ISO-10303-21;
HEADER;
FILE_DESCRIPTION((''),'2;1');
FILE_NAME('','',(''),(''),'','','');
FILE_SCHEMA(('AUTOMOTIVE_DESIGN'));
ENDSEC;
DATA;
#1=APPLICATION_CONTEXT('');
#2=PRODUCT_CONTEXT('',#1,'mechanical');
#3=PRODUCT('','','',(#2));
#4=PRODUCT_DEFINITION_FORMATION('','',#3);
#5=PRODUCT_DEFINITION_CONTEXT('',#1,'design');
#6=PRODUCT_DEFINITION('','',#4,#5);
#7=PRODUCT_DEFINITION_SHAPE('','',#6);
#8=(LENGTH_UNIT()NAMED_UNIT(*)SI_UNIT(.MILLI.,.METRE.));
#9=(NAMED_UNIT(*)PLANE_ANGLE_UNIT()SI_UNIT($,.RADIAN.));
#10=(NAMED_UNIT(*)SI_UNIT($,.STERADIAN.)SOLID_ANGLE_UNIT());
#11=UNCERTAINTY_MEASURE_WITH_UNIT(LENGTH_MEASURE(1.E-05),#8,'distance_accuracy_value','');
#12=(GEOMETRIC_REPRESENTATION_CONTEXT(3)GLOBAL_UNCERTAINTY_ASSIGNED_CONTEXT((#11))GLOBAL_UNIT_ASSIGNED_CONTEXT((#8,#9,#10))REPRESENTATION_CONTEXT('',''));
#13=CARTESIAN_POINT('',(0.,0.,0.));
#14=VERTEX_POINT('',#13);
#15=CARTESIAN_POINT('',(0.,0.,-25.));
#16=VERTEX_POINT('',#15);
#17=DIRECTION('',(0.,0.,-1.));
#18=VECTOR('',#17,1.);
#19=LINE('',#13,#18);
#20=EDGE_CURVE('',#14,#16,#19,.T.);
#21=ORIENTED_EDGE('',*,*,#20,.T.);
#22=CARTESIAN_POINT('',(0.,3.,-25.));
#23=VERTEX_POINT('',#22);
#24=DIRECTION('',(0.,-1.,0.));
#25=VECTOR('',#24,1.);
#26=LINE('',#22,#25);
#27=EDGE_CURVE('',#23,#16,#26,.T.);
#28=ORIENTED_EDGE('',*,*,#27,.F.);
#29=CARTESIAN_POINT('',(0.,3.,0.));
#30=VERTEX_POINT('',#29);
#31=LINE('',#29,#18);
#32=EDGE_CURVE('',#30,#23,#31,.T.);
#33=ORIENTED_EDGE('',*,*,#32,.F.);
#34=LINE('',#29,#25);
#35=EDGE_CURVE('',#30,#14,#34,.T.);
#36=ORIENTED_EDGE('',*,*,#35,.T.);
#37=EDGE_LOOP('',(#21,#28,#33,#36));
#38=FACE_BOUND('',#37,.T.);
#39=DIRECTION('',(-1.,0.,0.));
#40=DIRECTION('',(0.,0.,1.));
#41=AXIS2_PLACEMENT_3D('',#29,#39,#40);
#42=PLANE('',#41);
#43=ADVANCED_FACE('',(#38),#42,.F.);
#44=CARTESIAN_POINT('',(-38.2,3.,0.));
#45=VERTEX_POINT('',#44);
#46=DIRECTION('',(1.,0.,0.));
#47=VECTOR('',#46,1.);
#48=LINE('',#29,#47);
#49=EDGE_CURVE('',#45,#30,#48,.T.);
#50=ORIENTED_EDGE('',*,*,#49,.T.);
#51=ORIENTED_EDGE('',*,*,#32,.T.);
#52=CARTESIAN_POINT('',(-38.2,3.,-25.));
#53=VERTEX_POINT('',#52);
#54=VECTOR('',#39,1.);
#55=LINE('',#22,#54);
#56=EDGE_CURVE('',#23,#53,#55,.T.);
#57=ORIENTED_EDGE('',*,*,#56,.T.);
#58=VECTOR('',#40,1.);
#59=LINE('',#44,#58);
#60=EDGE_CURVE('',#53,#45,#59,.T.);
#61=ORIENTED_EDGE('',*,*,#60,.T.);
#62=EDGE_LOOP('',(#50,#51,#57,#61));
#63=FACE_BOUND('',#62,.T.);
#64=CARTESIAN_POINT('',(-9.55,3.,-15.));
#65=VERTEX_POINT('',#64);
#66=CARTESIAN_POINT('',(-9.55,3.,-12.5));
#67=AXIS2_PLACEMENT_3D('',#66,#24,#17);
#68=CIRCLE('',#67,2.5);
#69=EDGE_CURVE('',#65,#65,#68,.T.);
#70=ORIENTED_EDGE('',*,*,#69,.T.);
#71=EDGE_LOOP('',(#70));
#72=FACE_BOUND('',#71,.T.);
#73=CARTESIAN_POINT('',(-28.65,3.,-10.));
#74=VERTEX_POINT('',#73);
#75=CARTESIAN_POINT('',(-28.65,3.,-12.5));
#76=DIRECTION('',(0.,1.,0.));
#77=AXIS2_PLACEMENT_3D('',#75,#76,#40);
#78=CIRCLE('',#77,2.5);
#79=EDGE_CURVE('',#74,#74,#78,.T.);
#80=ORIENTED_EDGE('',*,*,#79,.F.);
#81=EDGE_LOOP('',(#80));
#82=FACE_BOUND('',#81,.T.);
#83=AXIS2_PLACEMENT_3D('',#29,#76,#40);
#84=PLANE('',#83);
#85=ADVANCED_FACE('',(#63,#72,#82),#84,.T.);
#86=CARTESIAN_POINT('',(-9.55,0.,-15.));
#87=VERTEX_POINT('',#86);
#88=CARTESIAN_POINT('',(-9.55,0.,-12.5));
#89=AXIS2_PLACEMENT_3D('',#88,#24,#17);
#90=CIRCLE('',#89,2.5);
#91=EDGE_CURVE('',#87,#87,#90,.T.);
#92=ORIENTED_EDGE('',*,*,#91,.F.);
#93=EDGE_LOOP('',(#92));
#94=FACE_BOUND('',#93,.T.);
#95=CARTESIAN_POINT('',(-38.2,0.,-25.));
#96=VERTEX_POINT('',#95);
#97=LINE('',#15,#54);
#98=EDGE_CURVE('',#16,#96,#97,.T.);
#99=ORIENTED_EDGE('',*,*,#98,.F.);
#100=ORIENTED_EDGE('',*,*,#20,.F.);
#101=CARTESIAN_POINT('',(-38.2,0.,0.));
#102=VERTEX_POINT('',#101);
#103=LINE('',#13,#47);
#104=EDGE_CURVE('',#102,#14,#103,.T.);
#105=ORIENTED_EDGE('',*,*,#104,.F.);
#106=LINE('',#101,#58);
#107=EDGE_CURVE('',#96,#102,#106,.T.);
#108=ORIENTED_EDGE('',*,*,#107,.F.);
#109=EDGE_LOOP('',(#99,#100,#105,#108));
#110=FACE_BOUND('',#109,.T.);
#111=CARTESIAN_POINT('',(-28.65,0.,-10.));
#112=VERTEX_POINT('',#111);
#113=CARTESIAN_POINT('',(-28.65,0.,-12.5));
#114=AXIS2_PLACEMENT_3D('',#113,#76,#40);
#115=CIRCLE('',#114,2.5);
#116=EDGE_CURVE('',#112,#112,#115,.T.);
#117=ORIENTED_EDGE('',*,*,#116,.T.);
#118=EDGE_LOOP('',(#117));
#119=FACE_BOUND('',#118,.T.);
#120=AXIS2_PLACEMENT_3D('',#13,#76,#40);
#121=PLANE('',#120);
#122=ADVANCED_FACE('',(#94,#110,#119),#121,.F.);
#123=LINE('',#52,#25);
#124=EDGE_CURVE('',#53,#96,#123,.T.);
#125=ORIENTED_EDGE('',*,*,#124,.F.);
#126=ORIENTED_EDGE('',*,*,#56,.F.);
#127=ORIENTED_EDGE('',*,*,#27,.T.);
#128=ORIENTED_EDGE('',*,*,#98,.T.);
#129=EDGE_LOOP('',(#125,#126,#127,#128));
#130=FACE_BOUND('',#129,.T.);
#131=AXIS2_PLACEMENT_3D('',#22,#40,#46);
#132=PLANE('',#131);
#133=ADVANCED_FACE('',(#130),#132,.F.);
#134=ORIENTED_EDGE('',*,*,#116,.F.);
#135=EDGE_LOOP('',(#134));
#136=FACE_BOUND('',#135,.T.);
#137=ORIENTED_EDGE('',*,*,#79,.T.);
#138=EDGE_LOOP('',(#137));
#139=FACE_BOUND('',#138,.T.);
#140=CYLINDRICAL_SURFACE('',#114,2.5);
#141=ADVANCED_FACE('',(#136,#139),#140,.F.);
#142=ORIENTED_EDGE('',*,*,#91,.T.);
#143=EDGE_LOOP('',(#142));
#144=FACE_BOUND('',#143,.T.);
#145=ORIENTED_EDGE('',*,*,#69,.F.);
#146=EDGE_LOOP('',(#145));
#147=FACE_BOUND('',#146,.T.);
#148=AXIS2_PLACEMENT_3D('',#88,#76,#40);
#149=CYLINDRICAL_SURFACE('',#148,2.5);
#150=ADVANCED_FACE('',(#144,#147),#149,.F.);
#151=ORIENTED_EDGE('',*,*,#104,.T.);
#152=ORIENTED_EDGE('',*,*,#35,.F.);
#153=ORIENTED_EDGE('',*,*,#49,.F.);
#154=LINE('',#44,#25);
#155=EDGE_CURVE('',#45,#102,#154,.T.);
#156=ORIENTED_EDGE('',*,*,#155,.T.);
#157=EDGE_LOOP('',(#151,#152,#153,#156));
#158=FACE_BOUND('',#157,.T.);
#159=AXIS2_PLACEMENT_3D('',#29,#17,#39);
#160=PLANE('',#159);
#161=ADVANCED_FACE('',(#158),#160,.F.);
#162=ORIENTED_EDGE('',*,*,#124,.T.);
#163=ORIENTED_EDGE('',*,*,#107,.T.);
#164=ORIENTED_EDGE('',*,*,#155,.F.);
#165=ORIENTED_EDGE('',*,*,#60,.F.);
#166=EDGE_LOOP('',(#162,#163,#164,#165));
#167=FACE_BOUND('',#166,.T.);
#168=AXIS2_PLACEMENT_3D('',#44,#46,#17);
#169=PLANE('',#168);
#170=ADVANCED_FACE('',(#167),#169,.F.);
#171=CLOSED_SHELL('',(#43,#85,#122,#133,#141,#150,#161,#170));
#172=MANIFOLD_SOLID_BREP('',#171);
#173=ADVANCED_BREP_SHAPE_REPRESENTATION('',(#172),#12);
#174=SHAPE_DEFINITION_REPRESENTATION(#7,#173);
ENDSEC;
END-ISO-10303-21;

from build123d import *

# Parameters (mm, degrees)
CROQUIS1_W              = 38.2
CROQUIS1_H              = 25
SALIENTE_EXTRUIR1_DEPTH = 3
CROQUIS2_R              = 2.5
CORTAR_EXTRUIR1_DEPTH   = 3


with BuildPart() as part:
    # Croquis1 → Saliente-Extruir1 (new body)
    with BuildSketch(Plane(origin=(0, 0, 0), x_dir=(1, 0, 0), z_dir=(0, 1, 0))):
        with Locations((-19.1, 12.5)):
            Rectangle(CROQUIS1_W, CROQUIS1_H)
    extrude(amount=SALIENTE_EXTRUIR1_DEPTH)

    # Croquis2 → Cortar-Extruir1 (cut)
    with BuildSketch(Plane(origin=(0, 3, 0), x_dir=(1, 0, 0), z_dir=(0, 1, 0))):
        with Locations((-28.65, 12.5)):
            Circle(CROQUIS2_R)
        with Locations((-9.55, 12.5)):
            Circle(CROQUIS2_R)
    extrude(amount=-CORTAR_EXTRUIR1_DEPTH, mode=Mode.SUBTRACT)


solid = part.part
